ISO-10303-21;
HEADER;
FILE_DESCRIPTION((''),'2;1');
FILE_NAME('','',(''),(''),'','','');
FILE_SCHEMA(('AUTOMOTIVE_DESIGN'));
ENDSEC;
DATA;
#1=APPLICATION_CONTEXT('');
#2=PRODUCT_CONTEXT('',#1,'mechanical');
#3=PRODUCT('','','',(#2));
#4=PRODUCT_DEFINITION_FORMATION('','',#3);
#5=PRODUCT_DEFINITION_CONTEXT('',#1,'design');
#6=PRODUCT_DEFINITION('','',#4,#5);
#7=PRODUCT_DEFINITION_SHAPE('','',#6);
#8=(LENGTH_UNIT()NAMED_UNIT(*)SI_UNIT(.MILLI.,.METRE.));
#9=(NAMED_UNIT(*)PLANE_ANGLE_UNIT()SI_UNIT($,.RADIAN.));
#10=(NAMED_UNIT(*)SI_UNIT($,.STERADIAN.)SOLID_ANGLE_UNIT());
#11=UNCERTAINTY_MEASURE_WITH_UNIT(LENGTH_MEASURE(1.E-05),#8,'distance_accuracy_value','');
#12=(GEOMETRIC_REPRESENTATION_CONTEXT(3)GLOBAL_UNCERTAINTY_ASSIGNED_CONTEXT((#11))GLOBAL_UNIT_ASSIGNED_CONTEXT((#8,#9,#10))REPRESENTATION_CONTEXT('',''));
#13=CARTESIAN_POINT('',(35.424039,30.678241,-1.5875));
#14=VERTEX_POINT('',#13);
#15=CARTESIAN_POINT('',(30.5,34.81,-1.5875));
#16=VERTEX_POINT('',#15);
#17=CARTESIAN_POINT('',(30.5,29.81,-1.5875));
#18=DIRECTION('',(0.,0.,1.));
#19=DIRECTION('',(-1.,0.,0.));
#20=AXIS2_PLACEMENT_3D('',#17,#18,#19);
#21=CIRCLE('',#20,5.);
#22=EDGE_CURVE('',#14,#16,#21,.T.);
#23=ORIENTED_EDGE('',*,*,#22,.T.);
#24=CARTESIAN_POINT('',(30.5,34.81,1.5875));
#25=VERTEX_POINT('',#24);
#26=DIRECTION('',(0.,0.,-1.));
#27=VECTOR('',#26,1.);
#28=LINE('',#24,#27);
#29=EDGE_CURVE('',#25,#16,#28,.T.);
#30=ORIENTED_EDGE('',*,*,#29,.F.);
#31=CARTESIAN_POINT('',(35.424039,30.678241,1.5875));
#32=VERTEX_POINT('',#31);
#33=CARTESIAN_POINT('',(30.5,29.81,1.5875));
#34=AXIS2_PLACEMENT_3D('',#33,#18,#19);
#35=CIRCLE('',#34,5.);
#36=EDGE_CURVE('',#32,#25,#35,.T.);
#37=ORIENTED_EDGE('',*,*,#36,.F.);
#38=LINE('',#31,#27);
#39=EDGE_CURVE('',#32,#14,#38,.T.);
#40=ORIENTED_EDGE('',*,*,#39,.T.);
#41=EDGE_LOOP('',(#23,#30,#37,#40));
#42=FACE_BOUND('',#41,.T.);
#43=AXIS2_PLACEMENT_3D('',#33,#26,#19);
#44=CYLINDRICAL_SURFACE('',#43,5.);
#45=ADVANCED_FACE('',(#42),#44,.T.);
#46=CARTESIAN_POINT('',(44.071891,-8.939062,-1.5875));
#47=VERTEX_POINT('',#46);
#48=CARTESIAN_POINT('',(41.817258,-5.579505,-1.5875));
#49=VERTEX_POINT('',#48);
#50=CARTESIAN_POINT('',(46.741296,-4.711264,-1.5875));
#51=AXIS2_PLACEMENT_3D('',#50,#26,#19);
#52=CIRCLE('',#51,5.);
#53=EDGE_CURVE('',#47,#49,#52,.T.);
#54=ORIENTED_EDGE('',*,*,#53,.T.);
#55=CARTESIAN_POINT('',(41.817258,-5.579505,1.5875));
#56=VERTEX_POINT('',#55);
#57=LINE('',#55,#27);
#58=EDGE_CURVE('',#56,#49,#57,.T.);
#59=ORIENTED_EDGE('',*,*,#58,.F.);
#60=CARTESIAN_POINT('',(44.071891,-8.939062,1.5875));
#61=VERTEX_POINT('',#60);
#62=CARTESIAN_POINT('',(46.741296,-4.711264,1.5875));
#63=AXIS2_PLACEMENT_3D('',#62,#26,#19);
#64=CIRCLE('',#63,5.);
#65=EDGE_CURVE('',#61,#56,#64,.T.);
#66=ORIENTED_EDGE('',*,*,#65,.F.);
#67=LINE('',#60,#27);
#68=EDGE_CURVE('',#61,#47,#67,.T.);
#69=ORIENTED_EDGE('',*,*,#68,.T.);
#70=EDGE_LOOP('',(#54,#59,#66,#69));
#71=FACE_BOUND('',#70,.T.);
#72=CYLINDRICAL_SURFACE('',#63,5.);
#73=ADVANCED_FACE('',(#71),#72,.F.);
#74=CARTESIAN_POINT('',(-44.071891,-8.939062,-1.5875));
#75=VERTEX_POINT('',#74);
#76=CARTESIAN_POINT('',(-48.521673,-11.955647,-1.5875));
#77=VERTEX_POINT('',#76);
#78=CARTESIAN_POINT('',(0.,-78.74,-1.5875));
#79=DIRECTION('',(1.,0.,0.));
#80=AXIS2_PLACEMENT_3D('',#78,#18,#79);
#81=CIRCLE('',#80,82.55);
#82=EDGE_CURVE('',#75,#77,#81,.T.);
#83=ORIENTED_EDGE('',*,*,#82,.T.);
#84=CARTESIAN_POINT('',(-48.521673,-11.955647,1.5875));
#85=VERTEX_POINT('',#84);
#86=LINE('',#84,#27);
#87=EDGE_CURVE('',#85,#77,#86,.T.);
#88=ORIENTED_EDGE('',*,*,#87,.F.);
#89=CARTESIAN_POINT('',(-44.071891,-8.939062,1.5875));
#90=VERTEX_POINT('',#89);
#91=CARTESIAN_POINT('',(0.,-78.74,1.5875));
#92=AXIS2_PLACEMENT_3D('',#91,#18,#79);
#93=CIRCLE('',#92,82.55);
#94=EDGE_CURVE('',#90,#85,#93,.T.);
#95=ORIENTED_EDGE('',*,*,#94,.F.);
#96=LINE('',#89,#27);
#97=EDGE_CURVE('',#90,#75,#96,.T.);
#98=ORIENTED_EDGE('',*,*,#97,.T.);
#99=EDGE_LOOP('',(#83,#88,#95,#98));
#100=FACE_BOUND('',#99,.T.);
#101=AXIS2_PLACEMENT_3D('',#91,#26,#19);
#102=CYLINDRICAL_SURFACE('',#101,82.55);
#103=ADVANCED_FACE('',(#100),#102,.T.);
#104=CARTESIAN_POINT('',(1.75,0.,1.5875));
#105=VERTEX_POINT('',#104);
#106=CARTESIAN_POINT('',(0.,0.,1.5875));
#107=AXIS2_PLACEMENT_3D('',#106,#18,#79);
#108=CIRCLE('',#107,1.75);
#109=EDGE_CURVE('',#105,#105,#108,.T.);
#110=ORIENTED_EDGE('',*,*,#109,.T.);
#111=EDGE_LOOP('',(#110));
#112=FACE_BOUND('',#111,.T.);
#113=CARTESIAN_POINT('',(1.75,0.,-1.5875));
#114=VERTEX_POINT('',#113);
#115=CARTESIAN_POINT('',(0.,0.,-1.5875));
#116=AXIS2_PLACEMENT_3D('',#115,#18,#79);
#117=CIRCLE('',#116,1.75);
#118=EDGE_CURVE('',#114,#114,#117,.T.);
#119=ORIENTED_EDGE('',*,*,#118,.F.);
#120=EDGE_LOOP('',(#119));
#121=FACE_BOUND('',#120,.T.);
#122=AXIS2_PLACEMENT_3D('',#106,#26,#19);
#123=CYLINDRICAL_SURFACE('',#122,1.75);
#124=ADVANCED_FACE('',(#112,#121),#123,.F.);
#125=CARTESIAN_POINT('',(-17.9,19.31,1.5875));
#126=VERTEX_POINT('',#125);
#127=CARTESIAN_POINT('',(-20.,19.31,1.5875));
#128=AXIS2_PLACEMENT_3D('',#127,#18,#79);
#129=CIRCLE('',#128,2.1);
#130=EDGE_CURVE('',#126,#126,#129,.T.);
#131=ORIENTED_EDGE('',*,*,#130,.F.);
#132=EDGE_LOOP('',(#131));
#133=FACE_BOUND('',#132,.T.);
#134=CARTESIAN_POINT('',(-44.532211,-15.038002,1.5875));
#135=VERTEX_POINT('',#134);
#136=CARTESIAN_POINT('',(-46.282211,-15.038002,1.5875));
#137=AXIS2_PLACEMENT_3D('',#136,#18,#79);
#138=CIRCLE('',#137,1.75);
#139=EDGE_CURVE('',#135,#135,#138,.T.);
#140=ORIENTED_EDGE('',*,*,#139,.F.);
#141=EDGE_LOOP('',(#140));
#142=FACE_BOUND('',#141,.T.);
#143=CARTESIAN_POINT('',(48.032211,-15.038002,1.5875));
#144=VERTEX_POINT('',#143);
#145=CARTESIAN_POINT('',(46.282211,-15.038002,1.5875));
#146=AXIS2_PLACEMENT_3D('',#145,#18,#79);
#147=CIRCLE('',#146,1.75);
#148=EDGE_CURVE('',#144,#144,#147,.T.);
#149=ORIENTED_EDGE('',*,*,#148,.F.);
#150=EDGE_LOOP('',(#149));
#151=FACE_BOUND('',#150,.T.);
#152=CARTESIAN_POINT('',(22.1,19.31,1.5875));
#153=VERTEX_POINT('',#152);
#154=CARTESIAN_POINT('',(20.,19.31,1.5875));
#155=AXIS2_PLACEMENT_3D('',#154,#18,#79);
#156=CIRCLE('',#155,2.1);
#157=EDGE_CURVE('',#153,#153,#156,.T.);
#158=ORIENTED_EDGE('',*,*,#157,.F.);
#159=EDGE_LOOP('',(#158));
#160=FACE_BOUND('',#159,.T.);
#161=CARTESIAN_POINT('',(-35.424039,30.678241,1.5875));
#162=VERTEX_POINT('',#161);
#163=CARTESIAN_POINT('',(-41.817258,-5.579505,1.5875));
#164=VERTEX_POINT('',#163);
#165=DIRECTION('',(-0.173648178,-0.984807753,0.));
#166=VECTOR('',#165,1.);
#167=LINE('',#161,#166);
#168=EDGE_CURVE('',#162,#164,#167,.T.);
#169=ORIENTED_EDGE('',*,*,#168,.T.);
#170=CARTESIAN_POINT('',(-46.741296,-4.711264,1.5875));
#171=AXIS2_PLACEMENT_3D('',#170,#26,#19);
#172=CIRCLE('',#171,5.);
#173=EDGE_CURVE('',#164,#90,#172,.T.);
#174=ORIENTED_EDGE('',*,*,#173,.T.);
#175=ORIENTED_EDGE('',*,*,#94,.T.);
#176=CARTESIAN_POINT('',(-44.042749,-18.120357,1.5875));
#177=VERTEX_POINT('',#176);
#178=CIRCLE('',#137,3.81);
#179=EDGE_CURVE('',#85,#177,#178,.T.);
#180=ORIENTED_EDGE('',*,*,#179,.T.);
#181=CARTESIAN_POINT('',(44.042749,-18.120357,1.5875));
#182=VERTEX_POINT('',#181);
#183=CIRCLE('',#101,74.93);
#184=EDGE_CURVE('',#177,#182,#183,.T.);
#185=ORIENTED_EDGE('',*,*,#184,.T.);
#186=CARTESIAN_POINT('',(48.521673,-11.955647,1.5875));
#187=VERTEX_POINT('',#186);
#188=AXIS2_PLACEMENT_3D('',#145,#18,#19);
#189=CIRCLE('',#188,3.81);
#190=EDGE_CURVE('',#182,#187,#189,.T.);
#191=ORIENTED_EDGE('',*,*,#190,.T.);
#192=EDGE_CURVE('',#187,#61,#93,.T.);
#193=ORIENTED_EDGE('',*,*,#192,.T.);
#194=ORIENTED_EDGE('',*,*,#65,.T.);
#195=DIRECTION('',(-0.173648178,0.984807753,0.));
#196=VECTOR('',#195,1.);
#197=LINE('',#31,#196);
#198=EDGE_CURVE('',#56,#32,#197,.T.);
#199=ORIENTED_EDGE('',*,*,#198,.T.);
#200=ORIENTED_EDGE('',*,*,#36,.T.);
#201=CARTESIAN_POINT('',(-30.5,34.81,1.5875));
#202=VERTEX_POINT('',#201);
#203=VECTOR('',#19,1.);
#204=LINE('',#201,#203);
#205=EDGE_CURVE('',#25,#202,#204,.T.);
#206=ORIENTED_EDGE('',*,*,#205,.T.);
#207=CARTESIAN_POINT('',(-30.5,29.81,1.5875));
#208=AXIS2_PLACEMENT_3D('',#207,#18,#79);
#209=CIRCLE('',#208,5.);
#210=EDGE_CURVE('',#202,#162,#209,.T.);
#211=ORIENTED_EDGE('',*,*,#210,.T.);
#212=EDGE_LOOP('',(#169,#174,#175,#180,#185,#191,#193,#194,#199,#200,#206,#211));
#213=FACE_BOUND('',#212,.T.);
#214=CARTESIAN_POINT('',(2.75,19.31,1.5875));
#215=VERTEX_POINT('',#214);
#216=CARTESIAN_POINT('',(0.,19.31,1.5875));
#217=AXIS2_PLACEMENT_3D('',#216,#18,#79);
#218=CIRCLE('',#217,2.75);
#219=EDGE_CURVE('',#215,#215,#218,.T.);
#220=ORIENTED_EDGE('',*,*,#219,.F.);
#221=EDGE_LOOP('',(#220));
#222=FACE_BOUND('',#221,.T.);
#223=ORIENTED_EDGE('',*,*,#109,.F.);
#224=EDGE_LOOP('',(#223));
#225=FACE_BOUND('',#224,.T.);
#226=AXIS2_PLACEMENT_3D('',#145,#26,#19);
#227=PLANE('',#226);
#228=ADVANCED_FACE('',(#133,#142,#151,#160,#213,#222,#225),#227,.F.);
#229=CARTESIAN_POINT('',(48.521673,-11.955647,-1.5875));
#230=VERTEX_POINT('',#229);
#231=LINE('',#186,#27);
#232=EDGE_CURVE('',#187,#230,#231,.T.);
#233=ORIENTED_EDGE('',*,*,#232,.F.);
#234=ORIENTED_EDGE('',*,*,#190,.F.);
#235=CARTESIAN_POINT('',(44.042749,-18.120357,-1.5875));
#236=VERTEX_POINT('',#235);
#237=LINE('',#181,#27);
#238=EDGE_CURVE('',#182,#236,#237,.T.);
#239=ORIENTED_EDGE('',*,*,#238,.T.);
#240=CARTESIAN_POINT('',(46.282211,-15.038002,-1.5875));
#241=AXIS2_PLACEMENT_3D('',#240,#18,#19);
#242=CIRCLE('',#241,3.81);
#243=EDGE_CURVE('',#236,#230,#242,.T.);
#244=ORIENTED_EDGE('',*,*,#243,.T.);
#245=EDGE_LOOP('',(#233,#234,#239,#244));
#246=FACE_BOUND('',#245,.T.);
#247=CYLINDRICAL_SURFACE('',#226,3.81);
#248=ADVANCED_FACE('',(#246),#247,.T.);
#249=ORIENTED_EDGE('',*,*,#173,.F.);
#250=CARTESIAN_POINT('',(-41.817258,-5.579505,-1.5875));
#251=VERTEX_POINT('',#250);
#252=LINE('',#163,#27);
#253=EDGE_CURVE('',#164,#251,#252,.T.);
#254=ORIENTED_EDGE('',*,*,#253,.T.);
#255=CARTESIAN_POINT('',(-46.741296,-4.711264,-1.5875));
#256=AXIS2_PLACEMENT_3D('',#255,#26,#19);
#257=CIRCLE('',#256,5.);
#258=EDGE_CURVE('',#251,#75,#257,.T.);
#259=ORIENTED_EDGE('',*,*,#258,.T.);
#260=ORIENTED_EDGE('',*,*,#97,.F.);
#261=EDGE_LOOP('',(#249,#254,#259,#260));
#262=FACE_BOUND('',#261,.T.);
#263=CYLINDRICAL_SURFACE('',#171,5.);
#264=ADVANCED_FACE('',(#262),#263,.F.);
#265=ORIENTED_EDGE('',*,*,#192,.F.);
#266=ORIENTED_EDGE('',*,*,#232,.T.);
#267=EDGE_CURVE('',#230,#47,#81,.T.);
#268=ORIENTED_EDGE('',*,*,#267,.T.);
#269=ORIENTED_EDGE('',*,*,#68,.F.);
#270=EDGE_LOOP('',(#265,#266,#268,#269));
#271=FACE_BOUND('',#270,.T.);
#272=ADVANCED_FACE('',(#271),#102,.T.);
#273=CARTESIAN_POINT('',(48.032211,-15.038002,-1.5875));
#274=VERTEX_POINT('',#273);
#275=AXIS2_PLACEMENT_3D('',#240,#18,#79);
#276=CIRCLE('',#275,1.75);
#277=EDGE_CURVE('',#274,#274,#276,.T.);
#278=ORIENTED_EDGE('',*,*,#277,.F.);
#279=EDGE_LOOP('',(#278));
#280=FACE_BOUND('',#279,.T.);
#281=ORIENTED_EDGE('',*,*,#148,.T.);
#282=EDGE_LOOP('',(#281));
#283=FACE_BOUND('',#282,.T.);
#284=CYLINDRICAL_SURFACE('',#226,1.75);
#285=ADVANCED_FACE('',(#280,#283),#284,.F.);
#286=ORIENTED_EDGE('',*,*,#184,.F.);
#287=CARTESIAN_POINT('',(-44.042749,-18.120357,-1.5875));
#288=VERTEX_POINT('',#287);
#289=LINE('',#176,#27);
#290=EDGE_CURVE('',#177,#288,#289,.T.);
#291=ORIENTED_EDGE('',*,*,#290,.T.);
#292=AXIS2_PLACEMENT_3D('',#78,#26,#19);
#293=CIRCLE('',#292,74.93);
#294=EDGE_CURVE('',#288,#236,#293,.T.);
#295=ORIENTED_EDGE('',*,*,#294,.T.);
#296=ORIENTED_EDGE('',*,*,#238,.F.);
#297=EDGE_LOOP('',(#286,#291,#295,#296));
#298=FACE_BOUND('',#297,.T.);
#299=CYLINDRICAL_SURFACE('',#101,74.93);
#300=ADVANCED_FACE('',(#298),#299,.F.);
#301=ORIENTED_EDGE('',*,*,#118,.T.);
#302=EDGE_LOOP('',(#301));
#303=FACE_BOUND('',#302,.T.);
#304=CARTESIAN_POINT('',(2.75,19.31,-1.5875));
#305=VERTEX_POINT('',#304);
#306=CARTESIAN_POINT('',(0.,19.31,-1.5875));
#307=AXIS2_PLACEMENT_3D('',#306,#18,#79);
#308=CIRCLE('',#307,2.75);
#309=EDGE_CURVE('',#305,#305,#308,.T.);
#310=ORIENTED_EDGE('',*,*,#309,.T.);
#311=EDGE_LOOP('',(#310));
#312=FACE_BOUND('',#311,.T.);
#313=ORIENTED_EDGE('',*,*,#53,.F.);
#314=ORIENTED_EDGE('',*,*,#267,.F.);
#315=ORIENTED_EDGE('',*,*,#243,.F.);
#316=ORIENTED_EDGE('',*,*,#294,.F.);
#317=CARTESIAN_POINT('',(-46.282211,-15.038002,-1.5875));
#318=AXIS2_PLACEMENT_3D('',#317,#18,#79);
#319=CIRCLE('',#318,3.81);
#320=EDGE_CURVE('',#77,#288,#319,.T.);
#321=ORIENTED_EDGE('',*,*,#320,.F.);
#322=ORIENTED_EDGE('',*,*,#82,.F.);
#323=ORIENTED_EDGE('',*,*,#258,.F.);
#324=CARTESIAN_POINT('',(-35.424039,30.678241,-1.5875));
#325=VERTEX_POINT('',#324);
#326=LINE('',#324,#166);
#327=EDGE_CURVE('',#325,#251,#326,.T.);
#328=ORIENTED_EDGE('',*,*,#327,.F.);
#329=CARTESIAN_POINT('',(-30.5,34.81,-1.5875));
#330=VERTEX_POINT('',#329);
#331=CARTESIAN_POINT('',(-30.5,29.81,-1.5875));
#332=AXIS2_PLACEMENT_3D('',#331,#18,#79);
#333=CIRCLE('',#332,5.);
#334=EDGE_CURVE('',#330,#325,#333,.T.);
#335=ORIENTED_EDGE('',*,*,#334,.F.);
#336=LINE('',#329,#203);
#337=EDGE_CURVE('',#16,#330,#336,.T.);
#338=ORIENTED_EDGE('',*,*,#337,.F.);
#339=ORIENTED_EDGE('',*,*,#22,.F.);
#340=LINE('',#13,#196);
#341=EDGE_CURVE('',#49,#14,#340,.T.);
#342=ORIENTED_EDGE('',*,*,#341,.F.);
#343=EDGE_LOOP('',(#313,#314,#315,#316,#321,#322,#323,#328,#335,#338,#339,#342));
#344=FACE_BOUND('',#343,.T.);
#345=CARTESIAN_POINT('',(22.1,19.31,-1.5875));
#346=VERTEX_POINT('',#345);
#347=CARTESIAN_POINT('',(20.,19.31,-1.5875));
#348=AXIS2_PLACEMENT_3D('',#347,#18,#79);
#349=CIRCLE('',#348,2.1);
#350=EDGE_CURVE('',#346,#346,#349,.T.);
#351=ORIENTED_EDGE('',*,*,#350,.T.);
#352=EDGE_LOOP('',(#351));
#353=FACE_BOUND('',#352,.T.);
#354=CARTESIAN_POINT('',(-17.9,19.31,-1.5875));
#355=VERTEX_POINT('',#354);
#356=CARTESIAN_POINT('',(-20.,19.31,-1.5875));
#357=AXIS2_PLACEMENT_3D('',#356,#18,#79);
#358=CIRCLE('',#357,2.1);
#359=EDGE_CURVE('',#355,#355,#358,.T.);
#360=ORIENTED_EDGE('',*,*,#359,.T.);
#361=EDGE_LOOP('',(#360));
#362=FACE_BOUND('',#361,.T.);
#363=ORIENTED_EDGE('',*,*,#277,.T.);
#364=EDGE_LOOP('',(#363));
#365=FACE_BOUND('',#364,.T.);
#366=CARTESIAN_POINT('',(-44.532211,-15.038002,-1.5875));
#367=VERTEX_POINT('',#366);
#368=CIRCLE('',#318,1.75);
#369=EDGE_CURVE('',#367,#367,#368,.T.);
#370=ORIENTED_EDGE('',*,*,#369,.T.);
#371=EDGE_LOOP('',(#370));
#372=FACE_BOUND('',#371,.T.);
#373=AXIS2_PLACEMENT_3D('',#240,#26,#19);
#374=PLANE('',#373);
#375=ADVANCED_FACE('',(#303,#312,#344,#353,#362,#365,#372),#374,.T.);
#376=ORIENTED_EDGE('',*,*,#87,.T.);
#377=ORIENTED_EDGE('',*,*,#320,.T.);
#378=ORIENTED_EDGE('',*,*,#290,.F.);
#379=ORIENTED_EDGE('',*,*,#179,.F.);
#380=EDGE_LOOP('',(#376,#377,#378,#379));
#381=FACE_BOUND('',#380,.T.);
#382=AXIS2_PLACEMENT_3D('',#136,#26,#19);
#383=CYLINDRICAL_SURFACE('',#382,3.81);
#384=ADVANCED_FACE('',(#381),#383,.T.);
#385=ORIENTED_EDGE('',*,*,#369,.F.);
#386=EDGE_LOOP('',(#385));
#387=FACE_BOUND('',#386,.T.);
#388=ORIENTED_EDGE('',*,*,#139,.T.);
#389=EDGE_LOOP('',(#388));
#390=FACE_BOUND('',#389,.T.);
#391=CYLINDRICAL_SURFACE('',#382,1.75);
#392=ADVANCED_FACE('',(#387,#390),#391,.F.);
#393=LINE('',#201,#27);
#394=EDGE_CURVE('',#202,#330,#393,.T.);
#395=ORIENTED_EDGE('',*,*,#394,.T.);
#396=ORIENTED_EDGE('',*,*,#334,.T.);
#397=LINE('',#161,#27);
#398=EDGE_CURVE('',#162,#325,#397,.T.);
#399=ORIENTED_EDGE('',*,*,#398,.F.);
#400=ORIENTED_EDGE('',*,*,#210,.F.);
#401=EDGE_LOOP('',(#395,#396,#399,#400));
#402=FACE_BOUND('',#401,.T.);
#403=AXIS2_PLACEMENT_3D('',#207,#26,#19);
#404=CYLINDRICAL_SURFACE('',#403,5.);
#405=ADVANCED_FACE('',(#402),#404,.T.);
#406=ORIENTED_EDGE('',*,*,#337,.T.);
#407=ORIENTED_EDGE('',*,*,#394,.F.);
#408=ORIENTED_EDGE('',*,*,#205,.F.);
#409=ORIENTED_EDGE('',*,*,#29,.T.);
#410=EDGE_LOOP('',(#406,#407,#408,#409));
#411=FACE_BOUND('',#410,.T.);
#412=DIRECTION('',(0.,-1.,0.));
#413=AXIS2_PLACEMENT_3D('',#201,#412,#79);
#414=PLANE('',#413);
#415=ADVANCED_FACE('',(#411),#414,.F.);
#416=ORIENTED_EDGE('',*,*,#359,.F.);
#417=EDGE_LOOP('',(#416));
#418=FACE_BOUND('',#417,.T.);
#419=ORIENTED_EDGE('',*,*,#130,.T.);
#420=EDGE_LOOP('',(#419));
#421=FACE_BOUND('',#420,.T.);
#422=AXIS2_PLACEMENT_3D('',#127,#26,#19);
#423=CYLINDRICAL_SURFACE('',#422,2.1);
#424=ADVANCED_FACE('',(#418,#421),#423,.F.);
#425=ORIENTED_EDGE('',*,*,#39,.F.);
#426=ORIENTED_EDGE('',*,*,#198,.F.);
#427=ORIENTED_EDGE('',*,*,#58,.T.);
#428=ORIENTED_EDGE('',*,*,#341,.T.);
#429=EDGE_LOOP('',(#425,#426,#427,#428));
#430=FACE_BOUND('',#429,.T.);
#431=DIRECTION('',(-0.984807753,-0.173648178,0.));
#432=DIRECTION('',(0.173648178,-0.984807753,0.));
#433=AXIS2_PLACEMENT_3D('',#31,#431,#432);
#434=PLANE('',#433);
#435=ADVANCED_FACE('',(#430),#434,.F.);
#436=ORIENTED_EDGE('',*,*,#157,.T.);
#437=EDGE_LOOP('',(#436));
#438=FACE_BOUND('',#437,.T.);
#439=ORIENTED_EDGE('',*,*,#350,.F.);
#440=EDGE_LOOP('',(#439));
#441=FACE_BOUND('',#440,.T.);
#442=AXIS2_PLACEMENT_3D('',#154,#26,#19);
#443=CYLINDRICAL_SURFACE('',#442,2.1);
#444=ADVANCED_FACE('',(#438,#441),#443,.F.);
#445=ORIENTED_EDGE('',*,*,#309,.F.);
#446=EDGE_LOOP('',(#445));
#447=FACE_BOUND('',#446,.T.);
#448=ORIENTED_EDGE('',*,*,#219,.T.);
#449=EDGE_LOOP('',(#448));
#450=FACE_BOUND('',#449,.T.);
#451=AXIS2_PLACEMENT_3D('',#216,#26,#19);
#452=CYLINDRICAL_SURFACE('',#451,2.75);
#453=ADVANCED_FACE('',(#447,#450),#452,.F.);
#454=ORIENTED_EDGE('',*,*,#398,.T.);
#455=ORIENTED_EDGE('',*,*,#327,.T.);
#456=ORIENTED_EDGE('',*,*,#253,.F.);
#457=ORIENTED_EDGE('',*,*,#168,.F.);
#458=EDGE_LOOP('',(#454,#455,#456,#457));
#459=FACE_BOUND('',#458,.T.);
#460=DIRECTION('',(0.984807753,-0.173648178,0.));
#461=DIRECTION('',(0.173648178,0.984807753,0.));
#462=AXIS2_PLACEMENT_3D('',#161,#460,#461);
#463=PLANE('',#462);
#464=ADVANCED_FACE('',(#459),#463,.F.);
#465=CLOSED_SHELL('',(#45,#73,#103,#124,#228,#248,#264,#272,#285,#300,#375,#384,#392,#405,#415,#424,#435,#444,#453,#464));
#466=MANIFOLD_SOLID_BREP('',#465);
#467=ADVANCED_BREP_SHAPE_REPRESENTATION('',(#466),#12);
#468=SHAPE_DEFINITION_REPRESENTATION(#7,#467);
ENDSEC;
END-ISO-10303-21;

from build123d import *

# Parameters (mm, degrees)
SKETCH1_R           = 1.75
SKETCH1_R_2         = 2.1
SKETCH1_R_3         = 2.75
BOSS_EXTRUDE1_DEPTH = 1.5875


with BuildPart() as part:
    # Sketch1 → Boss-Extrude1 (new, symmetric)
    with BuildSketch(Plane.XY):
        with BuildLine():
            Line((-30.5, 34.81), (30.5, 34.81))
            ThreePointArc((30.5, 34.81), (33.713938048, 33.640222216), (35.424038765, 30.678240888))
            Line((35.424038765, 30.678240888), (41.817257659, -5.579505193))
            ThreePointArc((41.817257659, -5.579505193), (42.58957924, -7.49752424), (44.071890575, -8.939061889))
            ThreePointArc((44.071890575, -8.939061889), (46.321344226, -10.411121997), (48.521672577, -11.955647114))
            ThreePointArc((48.521672577, -11.955647114), (49.364565514, -17.277463674), (44.042748954, -18.120356611))
            ThreePointArc((44.042748954, -18.120356611), (0, -3.81), (-44.042748954, -18.120356611))
            ThreePointArc((-44.042748954, -18.120356611), (-49.364565514, -17.277463674), (-48.521672577, -11.955647114))
            ThreePointArc((-48.521672577, -11.955647114), (-46.321344226, -10.411121997), (-44.071890575, -8.939061889))
            ThreePointArc((-44.071890575, -8.939061889), (-42.58957924, -7.49752424), (-41.817257659, -5.579505193))
            Line((-41.817257659, -5.579505193), (-35.424038765, 30.678240888))
            ThreePointArc((-35.424038765, 30.678240888), (-33.713938048, 33.640222216), (-30.5, 34.81))
        make_face()
        Circle(SKETCH1_R, mode=Mode.SUBTRACT)
        with Locations((-46.282210766, -15.038001863)):
            Circle(SKETCH1_R, mode=Mode.SUBTRACT)
        with Locations((46.282210766, -15.038001863)):
            Circle(SKETCH1_R, mode=Mode.SUBTRACT)
        with Locations((-20, 19.31)):
            Circle(SKETCH1_R_2, mode=Mode.SUBTRACT)
        with Locations((20, 19.31)):
            Circle(SKETCH1_R_2, mode=Mode.SUBTRACT)
        with Locations((0, 19.31)):
            Circle(SKETCH1_R_3, mode=Mode.SUBTRACT)
    extrude(amount=BOSS_EXTRUDE1_DEPTH, both=True)


solid = part.part
